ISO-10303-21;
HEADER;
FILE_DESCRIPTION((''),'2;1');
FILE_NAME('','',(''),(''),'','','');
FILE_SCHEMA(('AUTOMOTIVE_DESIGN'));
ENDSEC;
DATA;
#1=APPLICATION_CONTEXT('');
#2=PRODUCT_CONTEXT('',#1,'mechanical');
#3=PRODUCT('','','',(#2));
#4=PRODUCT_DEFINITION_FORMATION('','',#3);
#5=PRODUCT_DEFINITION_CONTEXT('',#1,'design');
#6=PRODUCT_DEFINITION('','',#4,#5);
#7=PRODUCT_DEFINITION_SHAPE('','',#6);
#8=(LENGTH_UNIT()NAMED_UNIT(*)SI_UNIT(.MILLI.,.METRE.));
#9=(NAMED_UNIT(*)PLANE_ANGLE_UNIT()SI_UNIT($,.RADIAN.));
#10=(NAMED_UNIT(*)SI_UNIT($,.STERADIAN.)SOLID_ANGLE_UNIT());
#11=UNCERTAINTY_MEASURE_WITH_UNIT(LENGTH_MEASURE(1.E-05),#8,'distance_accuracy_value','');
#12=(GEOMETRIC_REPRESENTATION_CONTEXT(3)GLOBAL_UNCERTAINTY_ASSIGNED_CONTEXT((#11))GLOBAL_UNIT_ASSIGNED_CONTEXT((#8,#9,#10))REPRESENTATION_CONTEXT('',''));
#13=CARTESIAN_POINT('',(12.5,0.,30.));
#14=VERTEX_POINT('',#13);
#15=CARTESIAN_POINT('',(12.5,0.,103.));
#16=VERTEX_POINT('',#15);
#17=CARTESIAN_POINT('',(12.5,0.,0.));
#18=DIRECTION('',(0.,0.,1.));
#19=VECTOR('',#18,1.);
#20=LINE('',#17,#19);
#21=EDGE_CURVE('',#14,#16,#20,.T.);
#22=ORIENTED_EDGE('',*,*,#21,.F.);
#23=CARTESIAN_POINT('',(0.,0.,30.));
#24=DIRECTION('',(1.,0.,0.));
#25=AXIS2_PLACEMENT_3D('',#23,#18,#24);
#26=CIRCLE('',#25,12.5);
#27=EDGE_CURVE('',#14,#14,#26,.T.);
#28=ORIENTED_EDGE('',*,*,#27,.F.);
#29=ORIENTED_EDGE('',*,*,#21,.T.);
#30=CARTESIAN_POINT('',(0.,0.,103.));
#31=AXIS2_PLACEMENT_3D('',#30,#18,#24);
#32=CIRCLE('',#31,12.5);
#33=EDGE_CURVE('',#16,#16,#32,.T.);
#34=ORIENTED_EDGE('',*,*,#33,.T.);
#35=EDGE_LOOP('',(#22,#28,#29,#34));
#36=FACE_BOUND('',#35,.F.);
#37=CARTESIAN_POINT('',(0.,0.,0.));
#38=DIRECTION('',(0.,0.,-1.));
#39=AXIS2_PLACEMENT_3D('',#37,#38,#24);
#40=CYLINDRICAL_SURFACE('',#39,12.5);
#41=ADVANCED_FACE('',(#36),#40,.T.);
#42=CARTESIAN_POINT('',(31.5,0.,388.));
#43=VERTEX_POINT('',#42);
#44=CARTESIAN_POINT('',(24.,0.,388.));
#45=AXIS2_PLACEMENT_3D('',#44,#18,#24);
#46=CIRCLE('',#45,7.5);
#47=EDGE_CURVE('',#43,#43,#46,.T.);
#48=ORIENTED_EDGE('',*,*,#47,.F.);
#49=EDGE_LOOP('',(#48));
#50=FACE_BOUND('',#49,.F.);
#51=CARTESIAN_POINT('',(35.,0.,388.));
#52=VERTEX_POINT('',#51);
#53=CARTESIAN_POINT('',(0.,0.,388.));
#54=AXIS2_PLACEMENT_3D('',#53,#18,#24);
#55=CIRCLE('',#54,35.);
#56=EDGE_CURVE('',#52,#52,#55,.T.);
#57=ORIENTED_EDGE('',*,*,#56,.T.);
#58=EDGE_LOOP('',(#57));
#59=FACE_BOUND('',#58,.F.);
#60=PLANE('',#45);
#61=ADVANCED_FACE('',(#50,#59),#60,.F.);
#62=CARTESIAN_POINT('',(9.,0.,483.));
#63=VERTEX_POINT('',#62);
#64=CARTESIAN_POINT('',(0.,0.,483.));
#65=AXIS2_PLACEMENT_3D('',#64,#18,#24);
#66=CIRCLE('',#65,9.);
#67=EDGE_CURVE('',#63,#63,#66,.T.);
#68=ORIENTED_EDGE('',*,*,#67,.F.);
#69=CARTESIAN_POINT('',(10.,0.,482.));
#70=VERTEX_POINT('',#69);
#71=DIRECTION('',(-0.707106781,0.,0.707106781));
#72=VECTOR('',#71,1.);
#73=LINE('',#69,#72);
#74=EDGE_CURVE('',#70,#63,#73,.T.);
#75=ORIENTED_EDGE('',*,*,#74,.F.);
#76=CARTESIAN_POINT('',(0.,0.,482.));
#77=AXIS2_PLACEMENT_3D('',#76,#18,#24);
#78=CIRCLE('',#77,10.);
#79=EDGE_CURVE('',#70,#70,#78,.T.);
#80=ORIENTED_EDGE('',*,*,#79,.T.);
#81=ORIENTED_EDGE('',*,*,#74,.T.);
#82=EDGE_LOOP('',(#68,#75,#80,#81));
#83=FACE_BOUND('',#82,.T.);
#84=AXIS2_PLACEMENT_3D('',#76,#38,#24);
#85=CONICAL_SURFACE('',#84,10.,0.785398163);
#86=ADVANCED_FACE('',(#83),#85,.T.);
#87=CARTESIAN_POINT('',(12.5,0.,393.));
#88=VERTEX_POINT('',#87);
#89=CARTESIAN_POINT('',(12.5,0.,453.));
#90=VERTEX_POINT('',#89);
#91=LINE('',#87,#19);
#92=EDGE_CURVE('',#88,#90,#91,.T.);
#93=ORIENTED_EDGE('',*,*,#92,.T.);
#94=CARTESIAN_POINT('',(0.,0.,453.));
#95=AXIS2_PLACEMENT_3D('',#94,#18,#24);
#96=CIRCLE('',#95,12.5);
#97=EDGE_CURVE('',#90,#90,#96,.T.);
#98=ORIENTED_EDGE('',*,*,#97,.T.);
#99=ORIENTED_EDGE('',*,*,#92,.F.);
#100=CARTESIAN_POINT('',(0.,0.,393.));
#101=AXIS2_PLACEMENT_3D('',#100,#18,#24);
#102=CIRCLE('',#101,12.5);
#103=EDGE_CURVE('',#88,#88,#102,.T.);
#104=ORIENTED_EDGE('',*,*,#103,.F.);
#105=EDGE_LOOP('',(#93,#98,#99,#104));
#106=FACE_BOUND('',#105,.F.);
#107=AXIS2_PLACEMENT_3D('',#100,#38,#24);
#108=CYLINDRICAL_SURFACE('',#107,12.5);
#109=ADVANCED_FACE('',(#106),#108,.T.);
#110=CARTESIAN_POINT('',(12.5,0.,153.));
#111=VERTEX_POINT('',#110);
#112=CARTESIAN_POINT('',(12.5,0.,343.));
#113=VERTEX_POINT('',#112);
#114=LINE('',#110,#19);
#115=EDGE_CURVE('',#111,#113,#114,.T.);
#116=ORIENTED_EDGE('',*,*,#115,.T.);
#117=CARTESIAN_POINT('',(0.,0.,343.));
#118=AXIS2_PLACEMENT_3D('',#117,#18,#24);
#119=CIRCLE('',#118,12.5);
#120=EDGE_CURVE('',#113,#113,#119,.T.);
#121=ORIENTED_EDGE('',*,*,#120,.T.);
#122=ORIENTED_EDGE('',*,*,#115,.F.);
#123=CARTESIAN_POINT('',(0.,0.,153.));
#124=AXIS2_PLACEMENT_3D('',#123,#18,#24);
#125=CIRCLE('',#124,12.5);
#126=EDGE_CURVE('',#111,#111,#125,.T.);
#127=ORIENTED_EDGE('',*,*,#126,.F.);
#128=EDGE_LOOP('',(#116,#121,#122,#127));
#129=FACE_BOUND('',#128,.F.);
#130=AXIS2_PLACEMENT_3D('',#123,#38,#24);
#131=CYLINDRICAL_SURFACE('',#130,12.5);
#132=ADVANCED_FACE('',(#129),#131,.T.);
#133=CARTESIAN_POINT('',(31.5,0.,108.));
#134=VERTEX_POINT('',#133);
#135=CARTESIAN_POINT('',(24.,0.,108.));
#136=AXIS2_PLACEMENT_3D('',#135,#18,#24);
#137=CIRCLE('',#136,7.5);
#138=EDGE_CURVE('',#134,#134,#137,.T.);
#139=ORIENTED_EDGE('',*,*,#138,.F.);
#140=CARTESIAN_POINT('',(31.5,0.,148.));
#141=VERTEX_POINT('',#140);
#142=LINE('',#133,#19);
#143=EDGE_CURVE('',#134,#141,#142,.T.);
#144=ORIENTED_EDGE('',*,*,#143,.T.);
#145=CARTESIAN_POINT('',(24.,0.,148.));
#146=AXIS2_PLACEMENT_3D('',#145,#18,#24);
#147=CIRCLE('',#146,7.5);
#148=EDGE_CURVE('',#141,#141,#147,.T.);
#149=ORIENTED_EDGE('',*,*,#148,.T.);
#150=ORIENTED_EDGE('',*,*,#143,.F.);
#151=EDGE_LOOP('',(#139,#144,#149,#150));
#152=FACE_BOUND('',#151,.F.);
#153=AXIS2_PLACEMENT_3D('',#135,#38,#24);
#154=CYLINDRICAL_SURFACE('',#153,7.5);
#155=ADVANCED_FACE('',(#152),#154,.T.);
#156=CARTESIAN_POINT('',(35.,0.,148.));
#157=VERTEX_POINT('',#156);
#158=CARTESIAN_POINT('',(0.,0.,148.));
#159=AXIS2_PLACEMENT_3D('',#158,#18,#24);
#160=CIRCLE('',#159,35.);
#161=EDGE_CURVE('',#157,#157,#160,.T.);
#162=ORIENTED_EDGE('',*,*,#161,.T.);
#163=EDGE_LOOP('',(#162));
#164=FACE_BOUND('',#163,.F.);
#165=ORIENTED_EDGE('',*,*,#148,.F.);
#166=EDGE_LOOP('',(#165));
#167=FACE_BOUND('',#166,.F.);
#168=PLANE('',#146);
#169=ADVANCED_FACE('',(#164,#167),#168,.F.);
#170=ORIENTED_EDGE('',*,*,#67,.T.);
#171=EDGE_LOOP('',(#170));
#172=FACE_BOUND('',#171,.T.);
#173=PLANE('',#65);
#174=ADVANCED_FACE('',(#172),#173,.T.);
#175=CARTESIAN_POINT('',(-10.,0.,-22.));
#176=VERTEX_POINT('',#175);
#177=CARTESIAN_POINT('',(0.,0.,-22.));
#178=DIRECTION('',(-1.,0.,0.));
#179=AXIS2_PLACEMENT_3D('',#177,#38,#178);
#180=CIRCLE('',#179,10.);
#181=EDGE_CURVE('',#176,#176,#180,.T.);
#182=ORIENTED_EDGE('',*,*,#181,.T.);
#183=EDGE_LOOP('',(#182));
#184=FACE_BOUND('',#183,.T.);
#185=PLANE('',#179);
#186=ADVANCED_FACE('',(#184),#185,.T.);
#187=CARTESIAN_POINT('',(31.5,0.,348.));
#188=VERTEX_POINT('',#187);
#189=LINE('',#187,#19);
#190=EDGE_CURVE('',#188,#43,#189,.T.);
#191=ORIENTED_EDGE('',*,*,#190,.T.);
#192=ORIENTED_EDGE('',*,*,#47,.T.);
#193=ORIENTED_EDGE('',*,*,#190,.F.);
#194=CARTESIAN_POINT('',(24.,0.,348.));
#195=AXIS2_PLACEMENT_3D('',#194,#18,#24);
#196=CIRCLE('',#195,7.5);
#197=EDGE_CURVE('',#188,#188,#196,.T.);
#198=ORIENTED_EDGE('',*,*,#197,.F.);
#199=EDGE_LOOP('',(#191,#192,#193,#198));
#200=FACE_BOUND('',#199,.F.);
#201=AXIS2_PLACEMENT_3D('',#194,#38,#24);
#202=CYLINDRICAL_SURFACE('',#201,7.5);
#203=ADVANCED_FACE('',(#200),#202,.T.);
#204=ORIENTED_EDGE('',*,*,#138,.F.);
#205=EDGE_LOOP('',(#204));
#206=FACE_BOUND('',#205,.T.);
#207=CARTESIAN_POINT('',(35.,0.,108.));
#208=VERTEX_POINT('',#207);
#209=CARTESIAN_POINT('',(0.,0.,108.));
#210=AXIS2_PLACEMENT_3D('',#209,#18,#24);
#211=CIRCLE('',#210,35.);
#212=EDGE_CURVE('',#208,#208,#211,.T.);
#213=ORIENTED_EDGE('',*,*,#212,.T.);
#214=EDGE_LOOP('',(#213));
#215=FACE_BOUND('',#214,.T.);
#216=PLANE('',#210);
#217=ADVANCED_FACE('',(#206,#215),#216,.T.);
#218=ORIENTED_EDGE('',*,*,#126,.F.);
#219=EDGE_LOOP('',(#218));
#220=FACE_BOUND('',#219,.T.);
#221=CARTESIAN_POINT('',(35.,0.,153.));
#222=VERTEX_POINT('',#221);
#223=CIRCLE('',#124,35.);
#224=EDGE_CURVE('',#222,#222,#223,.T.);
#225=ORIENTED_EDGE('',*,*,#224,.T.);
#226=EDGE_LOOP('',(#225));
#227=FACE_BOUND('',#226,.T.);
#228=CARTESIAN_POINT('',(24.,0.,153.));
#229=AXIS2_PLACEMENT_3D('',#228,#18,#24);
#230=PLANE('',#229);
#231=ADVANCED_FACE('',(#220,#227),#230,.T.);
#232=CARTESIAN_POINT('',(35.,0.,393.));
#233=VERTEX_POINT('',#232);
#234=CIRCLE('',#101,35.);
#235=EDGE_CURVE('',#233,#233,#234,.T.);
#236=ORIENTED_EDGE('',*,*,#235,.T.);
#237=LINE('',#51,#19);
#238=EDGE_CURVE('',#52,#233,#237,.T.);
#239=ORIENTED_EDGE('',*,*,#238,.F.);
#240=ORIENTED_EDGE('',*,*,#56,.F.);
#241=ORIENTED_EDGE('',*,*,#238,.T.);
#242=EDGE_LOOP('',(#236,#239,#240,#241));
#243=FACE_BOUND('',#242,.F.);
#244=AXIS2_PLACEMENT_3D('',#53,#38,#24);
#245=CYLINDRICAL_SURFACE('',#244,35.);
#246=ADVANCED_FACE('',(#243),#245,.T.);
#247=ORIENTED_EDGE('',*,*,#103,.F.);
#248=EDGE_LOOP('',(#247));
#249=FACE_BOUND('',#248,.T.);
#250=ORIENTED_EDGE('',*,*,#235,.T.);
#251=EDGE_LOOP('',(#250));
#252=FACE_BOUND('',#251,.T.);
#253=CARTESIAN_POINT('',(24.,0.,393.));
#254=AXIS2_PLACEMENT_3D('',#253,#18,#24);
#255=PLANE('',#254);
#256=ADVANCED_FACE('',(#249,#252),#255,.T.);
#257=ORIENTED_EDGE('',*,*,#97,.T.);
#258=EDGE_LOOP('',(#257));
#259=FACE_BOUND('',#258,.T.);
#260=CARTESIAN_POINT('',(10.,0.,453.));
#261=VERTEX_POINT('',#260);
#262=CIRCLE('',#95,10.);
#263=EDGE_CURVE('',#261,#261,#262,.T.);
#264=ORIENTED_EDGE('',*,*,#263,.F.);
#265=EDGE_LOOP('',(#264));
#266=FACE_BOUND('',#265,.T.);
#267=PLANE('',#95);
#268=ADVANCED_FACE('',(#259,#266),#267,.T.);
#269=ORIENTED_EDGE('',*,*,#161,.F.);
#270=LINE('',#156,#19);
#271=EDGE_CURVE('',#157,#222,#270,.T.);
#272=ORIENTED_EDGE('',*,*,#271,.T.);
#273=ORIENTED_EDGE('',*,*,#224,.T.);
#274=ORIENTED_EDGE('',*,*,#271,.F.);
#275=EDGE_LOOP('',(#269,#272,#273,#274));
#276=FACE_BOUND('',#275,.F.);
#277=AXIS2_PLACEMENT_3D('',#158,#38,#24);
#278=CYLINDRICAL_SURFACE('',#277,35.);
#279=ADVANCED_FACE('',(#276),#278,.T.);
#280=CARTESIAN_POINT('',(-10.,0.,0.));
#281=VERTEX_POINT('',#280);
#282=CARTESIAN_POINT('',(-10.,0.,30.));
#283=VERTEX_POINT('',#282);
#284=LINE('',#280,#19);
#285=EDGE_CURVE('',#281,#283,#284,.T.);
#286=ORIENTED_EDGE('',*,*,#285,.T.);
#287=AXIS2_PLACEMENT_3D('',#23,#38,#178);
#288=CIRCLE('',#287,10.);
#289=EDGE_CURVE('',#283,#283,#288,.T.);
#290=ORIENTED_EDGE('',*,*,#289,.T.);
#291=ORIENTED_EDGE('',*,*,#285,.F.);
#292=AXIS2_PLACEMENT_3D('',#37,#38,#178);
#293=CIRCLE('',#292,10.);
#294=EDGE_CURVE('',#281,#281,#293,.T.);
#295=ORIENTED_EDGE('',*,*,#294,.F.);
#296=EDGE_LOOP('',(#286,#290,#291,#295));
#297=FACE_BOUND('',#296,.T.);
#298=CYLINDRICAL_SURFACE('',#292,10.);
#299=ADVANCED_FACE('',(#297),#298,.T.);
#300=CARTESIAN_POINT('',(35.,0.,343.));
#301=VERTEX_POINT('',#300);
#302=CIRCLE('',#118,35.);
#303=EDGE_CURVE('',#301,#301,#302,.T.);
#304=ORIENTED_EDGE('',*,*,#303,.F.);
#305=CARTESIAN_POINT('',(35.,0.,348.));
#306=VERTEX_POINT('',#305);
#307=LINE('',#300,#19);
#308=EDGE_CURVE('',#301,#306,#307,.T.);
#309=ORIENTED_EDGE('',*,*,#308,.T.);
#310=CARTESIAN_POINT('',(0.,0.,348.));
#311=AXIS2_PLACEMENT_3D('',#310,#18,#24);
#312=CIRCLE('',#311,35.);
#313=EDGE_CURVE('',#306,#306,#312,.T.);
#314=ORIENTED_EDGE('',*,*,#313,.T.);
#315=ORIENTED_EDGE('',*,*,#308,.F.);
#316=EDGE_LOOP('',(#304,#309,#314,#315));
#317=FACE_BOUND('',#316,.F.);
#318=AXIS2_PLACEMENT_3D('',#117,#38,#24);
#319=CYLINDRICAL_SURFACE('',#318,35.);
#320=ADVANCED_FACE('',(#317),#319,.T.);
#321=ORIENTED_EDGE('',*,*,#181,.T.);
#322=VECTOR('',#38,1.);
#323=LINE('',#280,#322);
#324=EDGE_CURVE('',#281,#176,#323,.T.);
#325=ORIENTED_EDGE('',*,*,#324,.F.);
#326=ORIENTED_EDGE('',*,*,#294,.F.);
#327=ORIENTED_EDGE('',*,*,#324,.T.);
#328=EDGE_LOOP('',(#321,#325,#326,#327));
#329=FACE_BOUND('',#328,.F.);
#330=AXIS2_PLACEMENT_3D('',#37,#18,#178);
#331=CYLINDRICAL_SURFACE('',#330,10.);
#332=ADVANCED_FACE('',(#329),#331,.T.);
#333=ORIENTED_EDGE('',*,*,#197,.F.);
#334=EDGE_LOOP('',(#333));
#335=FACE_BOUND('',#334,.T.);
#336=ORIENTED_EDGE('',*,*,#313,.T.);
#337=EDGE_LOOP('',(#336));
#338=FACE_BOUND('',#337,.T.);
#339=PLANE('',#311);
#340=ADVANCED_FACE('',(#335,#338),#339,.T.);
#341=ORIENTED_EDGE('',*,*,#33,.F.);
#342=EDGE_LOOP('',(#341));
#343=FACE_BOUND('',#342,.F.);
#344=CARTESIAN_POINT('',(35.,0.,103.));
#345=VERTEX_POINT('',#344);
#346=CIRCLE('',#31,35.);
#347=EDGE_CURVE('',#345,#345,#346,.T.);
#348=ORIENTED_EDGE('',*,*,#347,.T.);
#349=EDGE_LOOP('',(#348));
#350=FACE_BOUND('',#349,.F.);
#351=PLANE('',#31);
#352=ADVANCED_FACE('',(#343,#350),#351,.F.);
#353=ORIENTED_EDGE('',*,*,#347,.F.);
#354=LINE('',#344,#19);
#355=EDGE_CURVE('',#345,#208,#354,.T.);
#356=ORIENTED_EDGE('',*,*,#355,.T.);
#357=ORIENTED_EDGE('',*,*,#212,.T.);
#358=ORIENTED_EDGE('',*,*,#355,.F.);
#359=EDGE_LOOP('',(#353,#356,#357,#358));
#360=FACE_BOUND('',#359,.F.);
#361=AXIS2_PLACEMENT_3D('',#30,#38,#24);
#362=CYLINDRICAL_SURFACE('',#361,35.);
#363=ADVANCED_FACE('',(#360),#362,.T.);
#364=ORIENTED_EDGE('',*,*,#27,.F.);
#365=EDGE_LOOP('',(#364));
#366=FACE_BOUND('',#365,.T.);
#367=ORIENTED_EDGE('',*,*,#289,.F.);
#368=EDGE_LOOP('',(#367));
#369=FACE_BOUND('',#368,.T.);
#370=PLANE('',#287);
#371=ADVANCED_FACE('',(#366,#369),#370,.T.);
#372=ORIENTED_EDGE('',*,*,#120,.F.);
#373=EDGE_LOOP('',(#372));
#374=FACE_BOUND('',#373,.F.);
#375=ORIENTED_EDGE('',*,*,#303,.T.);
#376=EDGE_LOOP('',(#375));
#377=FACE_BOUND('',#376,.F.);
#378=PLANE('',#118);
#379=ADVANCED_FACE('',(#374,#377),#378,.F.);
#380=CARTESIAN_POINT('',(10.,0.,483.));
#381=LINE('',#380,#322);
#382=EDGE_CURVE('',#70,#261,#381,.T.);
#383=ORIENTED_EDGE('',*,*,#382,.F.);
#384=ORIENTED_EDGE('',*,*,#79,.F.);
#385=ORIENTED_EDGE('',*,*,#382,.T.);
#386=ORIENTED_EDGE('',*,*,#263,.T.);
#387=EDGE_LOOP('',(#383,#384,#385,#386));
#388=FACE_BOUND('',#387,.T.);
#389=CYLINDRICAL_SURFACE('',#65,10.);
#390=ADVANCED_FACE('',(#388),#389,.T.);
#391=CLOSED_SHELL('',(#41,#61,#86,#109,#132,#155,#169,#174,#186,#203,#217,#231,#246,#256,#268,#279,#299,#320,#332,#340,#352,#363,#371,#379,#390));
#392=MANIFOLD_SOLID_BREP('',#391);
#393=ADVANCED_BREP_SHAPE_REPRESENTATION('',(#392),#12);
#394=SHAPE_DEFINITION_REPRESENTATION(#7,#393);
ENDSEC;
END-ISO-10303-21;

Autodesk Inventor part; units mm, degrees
ref_plane "YZ Plane" through (0, 0, 0) normal (1, 0, 0) x (0, 1, 0)
ref_plane "XZ Plane" through (0, 0, 0) normal (0, 1, 0) x (-1, 0, 0)
ref_plane "XY Plane" through (0, 0, 0) normal (0, 0, 1) x (1, 0, 0)
sketch "草图1" plane through (0, 0, 0) normal (0, 0, 1) x (1, 0, 0)
  circle A0 centre (0, 0) radius 12.5
  dimension "d0" = 25
extrude "拉伸1" add sketch "草图1" along normal blind 103
sketch "草图2" plane through (0, 0, 103) normal (0, 0, 1) x (1, 0, 0)
  circle A0 centre (0, 0) radius 35
  dimension "d3" = 70
extrude "拉伸2" add sketch "草图2" along normal blind 5
sketch "草图3" plane through (0, 0, 108) normal (0, 0, 1) x (1, 0, 0)
  circle A0 centre (24, 0) radius 7.5
  line L0 (0, 0) -> (4.085, 0)
  dimension "d6" = 15
  dimension "d7" = 4.085
  dimension "d8" = 24
extrude "拉伸3" add sketch "草图3" along normal blind 40
sketch "草图4" plane through (24, 0, 148) normal (0, 0, 1) x (1, 0, 0)
  circle A0 centre (-24, 0) radius 35
  circle A1 centre (-24, 0) radius 35 projected
  dimension "d11" = 70
extrude "拉伸4" add sketch "草图4" along normal blind 5
sketch "草图5" plane through (0, 0, 153) normal (0, 0, 1) x (1, 0, 0)
  circle A0 centre (0, 0) radius 12.5
  dimension "d14" = 25
extrude "拉伸5" add sketch "草图5" along normal blind 190
sketch "草图6" plane through (0, 0, 343) normal (0, 0, 1) x (1, 0, 0)
  circle A0 centre (0, 0) radius 35
  dimension "d17" = 70
extrude "拉伸6" add sketch "草图6" along normal blind 5
sketch "草图7" plane through (0, 0, 348) normal (0, 0, 1) x (1, 0, 0)
  circle A0 centre (24, 0) radius 7.5
  circle A1 centre (24, 0) radius 7.5 projected
  point P0 (0, 0)
  dimension "d20" = 15
extrude "拉伸7" add sketch "草图7" along normal blind 40
sketch "草图8" plane through (24, 0, 388) normal (0, 0, 1) x (1, 0, 0)
  circle A0 centre (-24, 0) radius 12.5 projected
  circle A1 centre (-24, 0) radius 35
  dimension "d23" = 70
extrude "拉伸8" add sketch "草图8" along normal blind 5 contours A0 | A1
sketch "草图9" plane through (0, 0, 393) normal (0, 0, 1) x (1, 0, 0)
  circle A0 centre (0, 0) radius 12.5
  dimension "d26" = 25
extrude "拉伸9" add sketch "草图9" along normal blind 90
sketch "草图10" plane through (0, 0, 483) normal (0, 0, 1) x (1, 0, 0)
  circle A0 centre (0, 0) radius 10
  circle A1 centre (0, 0) radius 12.5
  dimension "d32" = 20
  dimension "d33" = 25
extrude "拉伸10" cut sketch "草图10" against normal blind 30
chamfer "倒角2" distance 1 angle 45 1 edges at (-10, 0, 483)
sketch "草图11" plane through (0, 0, 0) normal (0, 0, -1) x (-1, 0, 0)
  circle A0 centre (0, 0) radius 10
  circle A1 centre (0, 0) radius 12.5
  dimension "d39" = 20
  dimension "d40" = 25
extrude "拉伸11" cut sketch "草图11" against normal blind 30
sketch "草图12" plane through (0, 0, 0) normal (0, 0, -1) x (-1, 0, 0)
  circle A0 centre (0, 0) radius 10
  dimension "d43" = 20
extrude "拉伸12" add sketch "草图12" along normal blind 22
properties part number "砂轮架带动曲轴"
